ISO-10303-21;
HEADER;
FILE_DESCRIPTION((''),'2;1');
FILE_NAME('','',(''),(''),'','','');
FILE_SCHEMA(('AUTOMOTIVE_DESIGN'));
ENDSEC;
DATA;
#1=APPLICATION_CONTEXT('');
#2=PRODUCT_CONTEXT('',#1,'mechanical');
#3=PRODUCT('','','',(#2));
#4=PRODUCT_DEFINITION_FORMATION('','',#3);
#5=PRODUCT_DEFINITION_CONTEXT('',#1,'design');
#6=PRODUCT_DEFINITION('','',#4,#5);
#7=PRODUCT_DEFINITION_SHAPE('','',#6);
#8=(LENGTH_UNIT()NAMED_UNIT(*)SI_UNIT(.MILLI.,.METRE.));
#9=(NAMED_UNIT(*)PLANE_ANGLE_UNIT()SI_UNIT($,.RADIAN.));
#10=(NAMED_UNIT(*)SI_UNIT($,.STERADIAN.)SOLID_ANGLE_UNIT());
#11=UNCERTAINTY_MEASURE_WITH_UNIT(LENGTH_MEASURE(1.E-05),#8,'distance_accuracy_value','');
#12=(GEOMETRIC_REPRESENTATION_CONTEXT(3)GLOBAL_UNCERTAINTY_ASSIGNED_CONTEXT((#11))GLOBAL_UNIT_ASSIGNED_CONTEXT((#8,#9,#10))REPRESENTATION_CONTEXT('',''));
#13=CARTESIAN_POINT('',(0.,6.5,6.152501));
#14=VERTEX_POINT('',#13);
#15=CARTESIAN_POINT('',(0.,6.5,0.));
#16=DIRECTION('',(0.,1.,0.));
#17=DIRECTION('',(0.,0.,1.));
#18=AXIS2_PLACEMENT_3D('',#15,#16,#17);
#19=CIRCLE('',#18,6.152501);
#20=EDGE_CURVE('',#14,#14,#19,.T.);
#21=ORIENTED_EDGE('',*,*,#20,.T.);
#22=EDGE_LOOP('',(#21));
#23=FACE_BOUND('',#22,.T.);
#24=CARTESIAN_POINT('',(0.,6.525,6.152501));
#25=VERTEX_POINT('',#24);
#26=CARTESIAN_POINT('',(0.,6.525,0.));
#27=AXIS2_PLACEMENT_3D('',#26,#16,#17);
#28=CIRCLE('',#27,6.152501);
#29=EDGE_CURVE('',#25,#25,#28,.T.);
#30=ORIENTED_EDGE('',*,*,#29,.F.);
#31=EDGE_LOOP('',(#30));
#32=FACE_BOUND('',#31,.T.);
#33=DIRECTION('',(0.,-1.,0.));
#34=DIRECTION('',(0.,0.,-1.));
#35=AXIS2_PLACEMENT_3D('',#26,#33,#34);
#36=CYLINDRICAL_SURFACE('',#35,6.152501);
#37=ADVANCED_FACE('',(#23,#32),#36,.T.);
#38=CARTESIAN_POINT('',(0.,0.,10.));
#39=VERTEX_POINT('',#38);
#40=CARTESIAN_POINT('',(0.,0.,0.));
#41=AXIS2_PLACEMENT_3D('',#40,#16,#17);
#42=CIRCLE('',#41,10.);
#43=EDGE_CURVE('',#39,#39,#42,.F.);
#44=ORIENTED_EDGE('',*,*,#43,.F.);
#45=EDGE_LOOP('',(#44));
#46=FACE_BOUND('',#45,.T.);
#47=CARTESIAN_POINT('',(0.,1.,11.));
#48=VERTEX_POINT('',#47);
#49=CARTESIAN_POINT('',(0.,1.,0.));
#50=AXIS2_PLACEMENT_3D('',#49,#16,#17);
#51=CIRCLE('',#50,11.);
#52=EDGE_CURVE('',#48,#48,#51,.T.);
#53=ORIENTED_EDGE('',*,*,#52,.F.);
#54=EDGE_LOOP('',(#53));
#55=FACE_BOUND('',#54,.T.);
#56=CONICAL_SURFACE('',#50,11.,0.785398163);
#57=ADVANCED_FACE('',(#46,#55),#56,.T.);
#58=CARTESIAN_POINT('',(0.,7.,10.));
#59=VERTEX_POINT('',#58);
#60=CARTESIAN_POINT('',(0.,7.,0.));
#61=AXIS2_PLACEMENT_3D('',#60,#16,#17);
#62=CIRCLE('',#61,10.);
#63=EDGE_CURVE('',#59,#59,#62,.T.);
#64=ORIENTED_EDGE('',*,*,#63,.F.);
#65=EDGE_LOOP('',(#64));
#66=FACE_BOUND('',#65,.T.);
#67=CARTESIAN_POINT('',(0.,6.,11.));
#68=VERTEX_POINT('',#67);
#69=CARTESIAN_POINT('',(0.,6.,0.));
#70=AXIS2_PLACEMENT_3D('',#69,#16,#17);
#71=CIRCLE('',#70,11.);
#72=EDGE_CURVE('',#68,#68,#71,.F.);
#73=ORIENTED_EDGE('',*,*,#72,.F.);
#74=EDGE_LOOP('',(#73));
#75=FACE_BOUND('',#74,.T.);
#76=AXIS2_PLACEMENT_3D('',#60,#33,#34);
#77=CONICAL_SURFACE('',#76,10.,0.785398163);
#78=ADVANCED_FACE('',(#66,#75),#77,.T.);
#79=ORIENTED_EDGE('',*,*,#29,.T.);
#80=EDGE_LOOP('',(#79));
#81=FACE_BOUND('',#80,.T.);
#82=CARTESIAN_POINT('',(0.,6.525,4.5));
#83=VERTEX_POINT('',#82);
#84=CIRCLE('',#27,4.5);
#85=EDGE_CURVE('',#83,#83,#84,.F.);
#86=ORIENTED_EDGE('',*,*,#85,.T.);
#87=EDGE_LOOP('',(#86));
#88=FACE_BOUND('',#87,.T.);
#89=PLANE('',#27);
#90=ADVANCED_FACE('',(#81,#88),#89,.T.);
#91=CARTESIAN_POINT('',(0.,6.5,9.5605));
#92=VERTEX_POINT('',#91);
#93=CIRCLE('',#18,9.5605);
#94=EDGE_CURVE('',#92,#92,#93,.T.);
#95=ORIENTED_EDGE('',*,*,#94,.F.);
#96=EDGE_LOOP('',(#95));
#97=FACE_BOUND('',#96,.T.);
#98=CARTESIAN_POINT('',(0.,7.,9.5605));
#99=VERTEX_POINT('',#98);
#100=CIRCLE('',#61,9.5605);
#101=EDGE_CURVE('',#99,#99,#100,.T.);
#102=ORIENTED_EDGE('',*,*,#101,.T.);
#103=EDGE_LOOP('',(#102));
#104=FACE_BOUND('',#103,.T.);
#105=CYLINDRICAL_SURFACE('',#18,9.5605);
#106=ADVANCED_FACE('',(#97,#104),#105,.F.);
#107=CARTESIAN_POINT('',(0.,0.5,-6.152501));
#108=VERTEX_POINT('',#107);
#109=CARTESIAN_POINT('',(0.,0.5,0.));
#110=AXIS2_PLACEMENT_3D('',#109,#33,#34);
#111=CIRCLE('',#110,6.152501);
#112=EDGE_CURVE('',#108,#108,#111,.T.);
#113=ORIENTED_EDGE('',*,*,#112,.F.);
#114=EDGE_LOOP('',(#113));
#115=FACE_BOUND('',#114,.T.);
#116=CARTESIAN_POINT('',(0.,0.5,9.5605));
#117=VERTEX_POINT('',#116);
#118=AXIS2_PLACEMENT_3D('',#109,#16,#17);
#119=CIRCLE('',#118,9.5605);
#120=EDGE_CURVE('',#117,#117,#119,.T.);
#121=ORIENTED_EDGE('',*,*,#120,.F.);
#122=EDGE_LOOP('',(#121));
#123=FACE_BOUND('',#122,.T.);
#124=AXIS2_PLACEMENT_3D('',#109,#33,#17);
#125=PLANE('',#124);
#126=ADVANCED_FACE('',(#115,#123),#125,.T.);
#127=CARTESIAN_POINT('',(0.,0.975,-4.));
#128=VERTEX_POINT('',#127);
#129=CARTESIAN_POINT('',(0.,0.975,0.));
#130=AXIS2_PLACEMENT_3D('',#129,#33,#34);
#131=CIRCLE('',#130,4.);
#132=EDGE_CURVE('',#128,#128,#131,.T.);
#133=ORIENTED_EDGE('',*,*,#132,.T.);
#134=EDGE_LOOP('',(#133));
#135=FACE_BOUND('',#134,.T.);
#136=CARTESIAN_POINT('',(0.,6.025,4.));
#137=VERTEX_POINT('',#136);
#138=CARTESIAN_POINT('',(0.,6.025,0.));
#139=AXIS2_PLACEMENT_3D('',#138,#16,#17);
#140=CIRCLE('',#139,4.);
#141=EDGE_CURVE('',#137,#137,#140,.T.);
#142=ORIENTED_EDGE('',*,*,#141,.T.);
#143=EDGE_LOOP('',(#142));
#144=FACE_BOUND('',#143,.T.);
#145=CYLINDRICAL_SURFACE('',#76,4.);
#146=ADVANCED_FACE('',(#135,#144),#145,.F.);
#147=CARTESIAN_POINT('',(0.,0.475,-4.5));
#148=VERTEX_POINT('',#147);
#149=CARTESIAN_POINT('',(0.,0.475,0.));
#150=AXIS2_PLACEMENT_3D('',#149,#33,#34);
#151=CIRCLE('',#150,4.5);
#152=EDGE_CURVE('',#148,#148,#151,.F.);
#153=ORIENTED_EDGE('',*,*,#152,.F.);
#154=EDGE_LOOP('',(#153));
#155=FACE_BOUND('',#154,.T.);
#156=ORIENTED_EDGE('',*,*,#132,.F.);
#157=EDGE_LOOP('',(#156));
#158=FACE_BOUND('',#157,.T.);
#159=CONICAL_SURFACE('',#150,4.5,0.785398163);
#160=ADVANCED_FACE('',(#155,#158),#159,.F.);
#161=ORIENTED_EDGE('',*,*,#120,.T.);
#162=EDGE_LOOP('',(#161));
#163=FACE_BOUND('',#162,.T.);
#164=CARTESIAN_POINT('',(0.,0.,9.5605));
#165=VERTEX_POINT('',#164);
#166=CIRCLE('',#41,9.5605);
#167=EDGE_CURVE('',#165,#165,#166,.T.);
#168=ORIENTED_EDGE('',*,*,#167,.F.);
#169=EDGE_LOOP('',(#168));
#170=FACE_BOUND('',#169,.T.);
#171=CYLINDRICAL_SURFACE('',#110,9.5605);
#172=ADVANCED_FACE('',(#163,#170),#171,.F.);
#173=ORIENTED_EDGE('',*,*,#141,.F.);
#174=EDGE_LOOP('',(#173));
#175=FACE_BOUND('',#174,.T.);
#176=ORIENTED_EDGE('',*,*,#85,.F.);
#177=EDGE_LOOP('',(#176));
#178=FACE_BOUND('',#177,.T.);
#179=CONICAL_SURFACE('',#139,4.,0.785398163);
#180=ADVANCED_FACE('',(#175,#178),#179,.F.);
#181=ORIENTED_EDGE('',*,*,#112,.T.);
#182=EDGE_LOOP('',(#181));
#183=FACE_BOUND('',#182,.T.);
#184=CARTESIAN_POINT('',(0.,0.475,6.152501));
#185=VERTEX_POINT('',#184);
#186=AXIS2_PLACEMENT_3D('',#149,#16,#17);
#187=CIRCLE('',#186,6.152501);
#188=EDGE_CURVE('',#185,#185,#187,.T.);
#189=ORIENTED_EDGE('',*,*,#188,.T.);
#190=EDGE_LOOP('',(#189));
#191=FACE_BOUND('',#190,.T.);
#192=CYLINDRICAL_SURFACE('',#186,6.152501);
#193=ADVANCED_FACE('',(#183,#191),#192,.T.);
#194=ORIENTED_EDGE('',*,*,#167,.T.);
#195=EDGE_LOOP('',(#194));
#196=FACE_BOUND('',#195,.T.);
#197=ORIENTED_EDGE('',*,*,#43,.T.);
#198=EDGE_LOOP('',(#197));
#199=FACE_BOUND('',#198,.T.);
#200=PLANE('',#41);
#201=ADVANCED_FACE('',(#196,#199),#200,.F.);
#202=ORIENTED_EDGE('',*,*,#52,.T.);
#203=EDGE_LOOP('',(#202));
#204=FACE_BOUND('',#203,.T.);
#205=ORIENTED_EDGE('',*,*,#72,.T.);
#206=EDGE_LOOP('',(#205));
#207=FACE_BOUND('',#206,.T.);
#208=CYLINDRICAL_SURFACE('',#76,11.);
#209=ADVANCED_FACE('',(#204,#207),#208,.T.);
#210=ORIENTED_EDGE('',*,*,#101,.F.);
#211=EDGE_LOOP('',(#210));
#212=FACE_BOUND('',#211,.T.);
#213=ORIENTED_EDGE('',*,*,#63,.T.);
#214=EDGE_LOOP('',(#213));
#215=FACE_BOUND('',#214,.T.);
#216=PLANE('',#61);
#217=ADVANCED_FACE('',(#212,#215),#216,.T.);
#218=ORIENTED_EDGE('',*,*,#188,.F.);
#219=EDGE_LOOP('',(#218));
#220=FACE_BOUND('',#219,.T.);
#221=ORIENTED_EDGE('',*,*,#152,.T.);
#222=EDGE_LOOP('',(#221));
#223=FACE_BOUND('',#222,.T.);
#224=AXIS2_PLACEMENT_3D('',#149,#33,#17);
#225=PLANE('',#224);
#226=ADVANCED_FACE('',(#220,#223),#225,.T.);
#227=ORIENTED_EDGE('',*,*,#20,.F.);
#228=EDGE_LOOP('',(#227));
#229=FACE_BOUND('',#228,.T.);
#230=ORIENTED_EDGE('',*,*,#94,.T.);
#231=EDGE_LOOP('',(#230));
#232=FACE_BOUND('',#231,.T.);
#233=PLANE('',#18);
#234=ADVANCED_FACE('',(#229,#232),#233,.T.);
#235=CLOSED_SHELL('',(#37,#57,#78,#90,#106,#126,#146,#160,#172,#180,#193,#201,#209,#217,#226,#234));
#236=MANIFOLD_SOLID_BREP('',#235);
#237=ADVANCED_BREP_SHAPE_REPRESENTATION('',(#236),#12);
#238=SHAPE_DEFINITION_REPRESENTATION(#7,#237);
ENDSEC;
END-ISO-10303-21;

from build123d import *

# Parameters (mm, degrees)
SKETCH1_R                = 11
SKETCH1_R_2              = 4
BOSS_EXTRUDE1_DEPTH      = 7
CHAMFER1_SIZE            = 1
SKETCH2_R                = 9.560499877
CUT_EXTRUDE1_DEPTH       = 0.5
SKETCH3_R                = 6.152500931
SKETCH3_R_2              = 4
BOSS_EXTRUDE2_DEPTH      = 0.025
CHAMFER2_SIZE            = 0.5
CHAMFER2_OF_MIRROR3_SIZE = 0.5


with BuildPart() as part:
    # Sketch1 → Boss-Extrude1 (new body)
    with BuildSketch(Plane(origin=(0, 0, 0), x_dir=(1, 0, 0), z_dir=(0, 1, 0))):
        with Locations(Location((0, 0, 0), (0, 0, 270))):
            Circle(SKETCH1_R)
        with Locations(Location((0, 0, 0), (0, 0, 270))):
            Circle(SKETCH1_R_2, mode=Mode.SUBTRACT)
    extrude(amount=BOSS_EXTRUDE1_DEPTH)

    # Chamfer1
    chamfer1_edges = [part.edges().sort_by_distance(p)[0] for p in [
        (0, 0, -11),
        (0, 7, -11),
    ]]
    chamfer(chamfer1_edges, length=CHAMFER1_SIZE)

    # Sketch2 → Cut-Extrude1 (cut)
    with BuildSketch(Plane(origin=(0, 7, 0), x_dir=(1, 0, 0), z_dir=(0, 1, 0))):
        with Locations(Location((0, 0, 0), (0, 0, 270))):
            Circle(SKETCH2_R)
    cut_extrude1 = extrude(amount=-CUT_EXTRUDE1_DEPTH, mode=Mode.SUBTRACT)

    # Sketch3 → Boss-Extrude2 (add)
    with BuildSketch(Plane(origin=(0, 6.5, 0), x_dir=(1, 0, 0), z_dir=(0, 1, 0))):
        with Locations(Location((0, 0, 0), (0, 0, 270))):
            Circle(SKETCH3_R)
        with Locations(Location((0, 0, 0), (0, 0, 270))):
            Circle(SKETCH3_R_2, mode=Mode.SUBTRACT)
    boss_extrude2 = extrude(amount=BOSS_EXTRUDE2_DEPTH)

    # Chamfer2
    chamfer2_edges = [part.edges().sort_by_distance(p)[0] for p in [
        (0, 6.525, -4),
    ]]
    chamfer(chamfer2_edges, length=CHAMFER2_SIZE)

    # Mirror3: Cut-Extrude1, Boss-Extrude2 across plane
    add(cut_extrude1.mirror(Plane(origin=(0, 3.500000112, 0), x_dir=(0, 0, 1), z_dir=(0, -1, 0))), mode=Mode.SUBTRACT)
    add(boss_extrude2.mirror(Plane(origin=(0, 3.500000112, 0), x_dir=(0, 0, 1), z_dir=(0, -1, 0))))

    # Chamfer2 of Mirror3
    chamfer2_of_mirror3_edges = [part.edges().sort_by_distance(p)[0] for p in [
        (0, 0.475000224, -4),
    ]]
    chamfer(chamfer2_of_mirror3_edges, length=CHAMFER2_OF_MIRROR3_SIZE)


solid = part.part
